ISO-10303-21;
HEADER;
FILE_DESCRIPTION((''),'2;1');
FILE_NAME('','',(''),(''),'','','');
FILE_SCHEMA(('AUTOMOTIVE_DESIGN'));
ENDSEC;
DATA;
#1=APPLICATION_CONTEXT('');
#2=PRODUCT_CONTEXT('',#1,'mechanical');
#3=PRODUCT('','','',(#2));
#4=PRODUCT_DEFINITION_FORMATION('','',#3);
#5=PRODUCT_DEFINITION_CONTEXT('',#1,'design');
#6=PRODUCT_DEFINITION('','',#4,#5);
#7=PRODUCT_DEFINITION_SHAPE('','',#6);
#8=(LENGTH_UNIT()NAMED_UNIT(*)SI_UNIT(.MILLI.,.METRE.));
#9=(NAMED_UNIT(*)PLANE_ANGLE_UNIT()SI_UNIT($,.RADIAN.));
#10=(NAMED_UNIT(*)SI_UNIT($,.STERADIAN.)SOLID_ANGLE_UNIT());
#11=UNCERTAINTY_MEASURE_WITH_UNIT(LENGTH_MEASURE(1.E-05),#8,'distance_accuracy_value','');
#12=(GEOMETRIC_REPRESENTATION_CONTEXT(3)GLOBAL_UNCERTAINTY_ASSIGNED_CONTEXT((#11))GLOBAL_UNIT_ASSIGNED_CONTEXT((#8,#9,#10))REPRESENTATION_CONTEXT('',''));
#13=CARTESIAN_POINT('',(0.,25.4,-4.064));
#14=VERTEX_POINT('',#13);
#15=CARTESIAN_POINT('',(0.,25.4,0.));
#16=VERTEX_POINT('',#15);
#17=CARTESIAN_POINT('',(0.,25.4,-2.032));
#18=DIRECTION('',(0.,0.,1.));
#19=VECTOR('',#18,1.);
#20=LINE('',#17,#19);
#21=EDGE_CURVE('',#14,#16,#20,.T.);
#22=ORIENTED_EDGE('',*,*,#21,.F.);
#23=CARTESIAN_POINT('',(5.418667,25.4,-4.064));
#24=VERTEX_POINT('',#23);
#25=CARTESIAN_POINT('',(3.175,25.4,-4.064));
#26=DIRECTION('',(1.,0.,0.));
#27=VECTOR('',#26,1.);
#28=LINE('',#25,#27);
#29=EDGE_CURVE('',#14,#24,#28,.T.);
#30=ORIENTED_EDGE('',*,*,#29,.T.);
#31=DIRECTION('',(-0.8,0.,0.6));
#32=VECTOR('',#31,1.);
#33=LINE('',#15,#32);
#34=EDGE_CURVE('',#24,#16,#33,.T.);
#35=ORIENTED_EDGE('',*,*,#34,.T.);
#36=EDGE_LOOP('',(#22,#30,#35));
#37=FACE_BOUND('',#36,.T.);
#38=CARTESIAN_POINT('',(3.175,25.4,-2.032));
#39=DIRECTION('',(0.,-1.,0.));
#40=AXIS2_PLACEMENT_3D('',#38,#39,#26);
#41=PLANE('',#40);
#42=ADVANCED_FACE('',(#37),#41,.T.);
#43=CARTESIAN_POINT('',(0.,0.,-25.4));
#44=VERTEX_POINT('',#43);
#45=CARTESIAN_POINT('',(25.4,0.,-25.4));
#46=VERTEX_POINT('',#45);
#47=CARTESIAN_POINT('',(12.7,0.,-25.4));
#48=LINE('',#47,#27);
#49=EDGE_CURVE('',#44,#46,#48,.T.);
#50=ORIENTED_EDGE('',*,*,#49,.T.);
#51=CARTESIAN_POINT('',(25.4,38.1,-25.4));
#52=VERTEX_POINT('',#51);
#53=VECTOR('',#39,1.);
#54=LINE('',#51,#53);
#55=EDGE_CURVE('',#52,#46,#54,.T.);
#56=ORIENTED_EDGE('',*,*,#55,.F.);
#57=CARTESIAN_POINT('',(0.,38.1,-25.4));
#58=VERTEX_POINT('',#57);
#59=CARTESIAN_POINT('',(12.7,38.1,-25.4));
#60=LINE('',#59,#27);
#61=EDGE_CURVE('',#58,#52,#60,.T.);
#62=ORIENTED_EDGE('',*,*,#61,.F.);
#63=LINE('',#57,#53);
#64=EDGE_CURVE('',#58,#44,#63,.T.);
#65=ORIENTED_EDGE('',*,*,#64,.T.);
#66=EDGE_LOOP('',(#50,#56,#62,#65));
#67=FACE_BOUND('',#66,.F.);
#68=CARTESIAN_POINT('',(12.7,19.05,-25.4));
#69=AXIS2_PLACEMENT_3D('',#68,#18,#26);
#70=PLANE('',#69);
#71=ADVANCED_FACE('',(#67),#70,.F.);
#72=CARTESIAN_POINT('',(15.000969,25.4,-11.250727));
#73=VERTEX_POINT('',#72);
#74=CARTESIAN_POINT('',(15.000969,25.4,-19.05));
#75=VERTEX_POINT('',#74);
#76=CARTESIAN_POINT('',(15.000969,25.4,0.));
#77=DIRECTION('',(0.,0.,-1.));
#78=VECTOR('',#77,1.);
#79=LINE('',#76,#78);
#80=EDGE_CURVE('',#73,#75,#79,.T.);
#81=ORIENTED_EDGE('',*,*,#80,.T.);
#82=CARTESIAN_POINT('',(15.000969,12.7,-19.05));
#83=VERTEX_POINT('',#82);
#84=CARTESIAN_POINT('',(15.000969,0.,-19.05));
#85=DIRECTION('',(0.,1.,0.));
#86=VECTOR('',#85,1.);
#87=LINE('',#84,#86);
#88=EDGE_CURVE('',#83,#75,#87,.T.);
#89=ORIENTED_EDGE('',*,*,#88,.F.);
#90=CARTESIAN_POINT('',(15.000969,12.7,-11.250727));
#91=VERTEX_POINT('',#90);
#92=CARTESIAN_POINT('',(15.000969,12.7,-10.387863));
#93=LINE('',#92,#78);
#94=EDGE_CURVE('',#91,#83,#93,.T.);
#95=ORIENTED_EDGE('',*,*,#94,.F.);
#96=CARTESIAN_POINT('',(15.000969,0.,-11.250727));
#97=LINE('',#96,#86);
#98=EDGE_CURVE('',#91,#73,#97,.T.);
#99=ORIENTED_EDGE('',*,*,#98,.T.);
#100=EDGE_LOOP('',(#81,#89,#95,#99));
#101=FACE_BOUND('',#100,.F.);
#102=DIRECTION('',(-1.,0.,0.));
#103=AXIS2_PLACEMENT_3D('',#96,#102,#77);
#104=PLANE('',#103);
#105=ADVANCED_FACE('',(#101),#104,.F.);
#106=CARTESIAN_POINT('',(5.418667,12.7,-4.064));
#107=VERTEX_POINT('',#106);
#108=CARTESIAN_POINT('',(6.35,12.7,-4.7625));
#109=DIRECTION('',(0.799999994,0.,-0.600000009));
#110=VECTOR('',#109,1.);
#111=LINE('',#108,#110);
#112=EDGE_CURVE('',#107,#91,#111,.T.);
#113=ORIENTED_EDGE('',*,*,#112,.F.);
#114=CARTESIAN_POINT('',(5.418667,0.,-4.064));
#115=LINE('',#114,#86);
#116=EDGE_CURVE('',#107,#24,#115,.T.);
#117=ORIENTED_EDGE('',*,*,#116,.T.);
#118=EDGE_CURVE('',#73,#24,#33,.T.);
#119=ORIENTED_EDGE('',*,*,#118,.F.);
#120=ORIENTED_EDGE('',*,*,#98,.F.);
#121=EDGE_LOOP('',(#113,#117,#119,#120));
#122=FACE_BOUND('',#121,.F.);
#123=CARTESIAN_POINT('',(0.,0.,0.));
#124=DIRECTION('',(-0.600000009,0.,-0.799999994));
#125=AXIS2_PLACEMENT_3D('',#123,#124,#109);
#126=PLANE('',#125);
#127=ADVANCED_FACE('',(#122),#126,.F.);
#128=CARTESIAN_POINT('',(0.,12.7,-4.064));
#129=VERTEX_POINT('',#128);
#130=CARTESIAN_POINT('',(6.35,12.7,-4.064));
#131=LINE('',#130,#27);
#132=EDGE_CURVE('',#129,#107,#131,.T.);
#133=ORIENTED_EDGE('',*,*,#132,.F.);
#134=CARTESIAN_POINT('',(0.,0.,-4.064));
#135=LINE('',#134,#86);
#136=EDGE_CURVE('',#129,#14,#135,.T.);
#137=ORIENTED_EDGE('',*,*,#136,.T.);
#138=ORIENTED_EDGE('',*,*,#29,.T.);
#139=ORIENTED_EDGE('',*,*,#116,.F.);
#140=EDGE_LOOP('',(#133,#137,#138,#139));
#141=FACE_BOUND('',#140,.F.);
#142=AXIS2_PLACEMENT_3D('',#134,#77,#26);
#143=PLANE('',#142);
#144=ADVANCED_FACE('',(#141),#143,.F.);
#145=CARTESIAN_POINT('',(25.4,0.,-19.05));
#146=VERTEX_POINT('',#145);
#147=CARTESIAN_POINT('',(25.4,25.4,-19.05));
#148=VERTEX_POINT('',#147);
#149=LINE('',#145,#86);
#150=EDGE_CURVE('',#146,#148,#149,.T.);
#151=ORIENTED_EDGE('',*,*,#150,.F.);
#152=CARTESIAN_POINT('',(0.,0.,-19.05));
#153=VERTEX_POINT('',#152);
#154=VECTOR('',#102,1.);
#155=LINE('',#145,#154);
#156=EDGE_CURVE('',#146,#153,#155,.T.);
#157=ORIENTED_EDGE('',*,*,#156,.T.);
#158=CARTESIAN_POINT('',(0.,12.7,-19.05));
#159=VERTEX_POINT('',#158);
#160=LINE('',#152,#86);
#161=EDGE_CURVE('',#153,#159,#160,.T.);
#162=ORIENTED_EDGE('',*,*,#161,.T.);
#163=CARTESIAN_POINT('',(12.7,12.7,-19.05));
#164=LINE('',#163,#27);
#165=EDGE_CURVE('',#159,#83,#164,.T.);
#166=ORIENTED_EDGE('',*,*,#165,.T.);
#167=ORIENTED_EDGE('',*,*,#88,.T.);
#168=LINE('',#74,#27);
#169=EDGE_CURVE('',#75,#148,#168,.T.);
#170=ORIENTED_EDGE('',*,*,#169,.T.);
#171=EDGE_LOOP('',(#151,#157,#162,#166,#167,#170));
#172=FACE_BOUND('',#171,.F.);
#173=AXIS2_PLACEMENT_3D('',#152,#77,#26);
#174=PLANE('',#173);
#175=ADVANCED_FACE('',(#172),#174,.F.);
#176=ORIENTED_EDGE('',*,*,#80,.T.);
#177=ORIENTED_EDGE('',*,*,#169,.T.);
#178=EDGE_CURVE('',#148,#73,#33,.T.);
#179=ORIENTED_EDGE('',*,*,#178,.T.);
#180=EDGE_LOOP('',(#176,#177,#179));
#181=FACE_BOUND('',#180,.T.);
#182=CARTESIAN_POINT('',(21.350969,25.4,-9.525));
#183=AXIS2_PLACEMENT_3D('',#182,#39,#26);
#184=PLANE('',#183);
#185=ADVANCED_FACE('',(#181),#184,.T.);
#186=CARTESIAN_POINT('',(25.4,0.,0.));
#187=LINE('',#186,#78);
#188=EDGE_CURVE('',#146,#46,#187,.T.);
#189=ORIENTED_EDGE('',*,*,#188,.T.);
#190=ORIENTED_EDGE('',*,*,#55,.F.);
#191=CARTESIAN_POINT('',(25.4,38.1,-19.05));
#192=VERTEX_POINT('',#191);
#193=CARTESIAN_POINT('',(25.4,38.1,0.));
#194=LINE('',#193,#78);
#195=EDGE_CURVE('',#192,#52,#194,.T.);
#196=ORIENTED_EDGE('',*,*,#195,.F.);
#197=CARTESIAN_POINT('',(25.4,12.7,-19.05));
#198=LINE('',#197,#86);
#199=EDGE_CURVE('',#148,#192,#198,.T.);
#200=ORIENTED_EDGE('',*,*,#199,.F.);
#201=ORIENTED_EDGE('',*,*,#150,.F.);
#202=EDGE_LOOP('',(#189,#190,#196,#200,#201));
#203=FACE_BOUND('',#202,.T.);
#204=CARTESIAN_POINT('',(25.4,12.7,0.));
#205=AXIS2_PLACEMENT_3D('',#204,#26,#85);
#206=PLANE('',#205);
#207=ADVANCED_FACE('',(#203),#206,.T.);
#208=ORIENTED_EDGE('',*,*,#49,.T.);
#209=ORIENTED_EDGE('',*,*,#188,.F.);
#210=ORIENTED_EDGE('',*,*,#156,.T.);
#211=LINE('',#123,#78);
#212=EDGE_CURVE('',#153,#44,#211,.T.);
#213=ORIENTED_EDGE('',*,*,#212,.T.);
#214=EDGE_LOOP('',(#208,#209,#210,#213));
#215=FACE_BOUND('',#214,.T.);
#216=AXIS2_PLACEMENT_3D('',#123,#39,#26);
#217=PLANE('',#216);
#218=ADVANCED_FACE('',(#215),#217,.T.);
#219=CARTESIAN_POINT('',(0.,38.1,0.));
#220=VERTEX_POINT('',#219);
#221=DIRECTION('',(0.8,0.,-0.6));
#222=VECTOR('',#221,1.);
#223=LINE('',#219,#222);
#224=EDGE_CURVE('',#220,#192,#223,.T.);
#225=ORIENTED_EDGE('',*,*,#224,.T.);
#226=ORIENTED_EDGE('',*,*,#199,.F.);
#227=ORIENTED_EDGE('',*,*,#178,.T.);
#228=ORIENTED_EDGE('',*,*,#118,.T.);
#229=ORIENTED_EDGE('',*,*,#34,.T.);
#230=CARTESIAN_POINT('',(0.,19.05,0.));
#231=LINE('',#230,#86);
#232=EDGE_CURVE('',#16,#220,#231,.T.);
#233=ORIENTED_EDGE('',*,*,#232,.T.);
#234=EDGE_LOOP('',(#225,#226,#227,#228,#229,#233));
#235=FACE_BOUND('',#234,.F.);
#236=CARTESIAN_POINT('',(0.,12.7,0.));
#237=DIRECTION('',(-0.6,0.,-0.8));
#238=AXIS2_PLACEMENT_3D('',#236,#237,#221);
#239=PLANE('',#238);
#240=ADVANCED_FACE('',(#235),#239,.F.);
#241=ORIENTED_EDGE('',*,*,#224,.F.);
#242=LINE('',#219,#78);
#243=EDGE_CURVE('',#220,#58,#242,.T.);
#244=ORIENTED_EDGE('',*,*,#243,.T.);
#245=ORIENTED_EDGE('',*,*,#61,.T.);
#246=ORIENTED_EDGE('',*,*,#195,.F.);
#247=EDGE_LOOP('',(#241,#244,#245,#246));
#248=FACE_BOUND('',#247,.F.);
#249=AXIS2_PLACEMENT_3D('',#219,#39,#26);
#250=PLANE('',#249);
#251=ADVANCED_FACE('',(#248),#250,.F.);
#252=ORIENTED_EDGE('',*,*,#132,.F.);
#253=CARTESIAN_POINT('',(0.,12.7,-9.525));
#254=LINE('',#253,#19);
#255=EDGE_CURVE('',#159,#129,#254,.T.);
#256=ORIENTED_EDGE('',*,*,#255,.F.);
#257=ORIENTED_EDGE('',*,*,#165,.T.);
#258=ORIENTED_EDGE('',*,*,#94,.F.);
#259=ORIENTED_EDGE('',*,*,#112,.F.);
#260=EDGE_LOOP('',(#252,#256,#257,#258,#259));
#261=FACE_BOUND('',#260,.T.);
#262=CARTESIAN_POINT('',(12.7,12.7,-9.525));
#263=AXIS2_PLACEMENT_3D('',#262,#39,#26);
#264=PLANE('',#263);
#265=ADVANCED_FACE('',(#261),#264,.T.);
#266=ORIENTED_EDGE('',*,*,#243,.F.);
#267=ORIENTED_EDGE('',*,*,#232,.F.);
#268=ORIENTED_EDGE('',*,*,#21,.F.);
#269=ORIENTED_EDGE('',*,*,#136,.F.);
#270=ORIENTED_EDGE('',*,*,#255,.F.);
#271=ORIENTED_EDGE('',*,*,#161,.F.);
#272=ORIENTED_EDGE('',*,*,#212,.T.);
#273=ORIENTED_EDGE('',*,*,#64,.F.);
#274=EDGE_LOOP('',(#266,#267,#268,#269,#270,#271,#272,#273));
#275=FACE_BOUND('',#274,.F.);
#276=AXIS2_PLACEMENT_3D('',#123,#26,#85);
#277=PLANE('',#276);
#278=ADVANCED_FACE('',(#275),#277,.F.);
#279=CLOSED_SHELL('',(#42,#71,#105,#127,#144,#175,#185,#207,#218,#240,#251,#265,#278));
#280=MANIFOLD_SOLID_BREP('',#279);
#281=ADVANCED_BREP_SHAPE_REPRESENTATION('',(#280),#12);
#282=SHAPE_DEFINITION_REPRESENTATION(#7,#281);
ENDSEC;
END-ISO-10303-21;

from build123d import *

# Parameters (mm, degrees)
F0_W      = 25.4
F0_H      = 38.1
F1_DEPTH  = 25.4
F2_W      = 25.4
F2_H      = 19.05
F3_DEPTH  = 12.7
F5_DEPTH  = 25.4
F6_W      = 25.4
F6_H      = 12.7
F7_DEPTH  = 25.4
F8_W      = 6.35
F8_H      = 4.064
F9_DEPTH  = 25.4
F11_DEPTH = 25.4


with BuildPart() as f1:
    # F0 (on Top) → F1 (new body)
    with BuildSketch(Plane.XY):
        with Locations((12.7, 19.05)):
            Rectangle(F0_W, F0_H)
    extrude(amount=-F1_DEPTH)

    # F2 (on Front) → F3 (cut)
    with BuildSketch(Plane.XZ):
        with Locations((12.7, -9.525)):
            Rectangle(F2_W, F2_H)
    extrude(amount=-F3_DEPTH, mode=Mode.SUBTRACT)

    # F4 (on face) → F5 (cut)
    with BuildSketch(Plane.XZ.offset(-12.7)):
        Polygon((25.4, 0), (0, 0), (25.4, -19.05), align=None)
    extrude(amount=-F5_DEPTH, mode=Mode.SUBTRACT)

    # F6 (on Top) → F7 (join)
    with BuildSketch(Plane.XY):
        with Locations((12.7, 19.05)):
            Rectangle(F6_W, F6_H)
    extrude(amount=-F7_DEPTH)

    # F8 (on Front) → F9 (cut)
    with BuildSketch(Plane.XZ):
        with Locations((3.175, -2.032)):
            Rectangle(F8_W, F8_H)
    extrude(amount=-F9_DEPTH, mode=Mode.SUBTRACT)

    # F10 (on Front) → F11 (cut)
    with BuildSketch(Plane.XZ):
        Polygon((15.000969, 0), (15.000969, -11.250727), (15.000969, -19.05), (27.700969, -19.05), (27.700969, 0), align=None)
        Polygon((15.000969, 0), (0, 0), (15.000969, -11.250727), align=None)
    extrude(amount=-F11_DEPTH, mode=Mode.SUBTRACT)


solid = f1.part
